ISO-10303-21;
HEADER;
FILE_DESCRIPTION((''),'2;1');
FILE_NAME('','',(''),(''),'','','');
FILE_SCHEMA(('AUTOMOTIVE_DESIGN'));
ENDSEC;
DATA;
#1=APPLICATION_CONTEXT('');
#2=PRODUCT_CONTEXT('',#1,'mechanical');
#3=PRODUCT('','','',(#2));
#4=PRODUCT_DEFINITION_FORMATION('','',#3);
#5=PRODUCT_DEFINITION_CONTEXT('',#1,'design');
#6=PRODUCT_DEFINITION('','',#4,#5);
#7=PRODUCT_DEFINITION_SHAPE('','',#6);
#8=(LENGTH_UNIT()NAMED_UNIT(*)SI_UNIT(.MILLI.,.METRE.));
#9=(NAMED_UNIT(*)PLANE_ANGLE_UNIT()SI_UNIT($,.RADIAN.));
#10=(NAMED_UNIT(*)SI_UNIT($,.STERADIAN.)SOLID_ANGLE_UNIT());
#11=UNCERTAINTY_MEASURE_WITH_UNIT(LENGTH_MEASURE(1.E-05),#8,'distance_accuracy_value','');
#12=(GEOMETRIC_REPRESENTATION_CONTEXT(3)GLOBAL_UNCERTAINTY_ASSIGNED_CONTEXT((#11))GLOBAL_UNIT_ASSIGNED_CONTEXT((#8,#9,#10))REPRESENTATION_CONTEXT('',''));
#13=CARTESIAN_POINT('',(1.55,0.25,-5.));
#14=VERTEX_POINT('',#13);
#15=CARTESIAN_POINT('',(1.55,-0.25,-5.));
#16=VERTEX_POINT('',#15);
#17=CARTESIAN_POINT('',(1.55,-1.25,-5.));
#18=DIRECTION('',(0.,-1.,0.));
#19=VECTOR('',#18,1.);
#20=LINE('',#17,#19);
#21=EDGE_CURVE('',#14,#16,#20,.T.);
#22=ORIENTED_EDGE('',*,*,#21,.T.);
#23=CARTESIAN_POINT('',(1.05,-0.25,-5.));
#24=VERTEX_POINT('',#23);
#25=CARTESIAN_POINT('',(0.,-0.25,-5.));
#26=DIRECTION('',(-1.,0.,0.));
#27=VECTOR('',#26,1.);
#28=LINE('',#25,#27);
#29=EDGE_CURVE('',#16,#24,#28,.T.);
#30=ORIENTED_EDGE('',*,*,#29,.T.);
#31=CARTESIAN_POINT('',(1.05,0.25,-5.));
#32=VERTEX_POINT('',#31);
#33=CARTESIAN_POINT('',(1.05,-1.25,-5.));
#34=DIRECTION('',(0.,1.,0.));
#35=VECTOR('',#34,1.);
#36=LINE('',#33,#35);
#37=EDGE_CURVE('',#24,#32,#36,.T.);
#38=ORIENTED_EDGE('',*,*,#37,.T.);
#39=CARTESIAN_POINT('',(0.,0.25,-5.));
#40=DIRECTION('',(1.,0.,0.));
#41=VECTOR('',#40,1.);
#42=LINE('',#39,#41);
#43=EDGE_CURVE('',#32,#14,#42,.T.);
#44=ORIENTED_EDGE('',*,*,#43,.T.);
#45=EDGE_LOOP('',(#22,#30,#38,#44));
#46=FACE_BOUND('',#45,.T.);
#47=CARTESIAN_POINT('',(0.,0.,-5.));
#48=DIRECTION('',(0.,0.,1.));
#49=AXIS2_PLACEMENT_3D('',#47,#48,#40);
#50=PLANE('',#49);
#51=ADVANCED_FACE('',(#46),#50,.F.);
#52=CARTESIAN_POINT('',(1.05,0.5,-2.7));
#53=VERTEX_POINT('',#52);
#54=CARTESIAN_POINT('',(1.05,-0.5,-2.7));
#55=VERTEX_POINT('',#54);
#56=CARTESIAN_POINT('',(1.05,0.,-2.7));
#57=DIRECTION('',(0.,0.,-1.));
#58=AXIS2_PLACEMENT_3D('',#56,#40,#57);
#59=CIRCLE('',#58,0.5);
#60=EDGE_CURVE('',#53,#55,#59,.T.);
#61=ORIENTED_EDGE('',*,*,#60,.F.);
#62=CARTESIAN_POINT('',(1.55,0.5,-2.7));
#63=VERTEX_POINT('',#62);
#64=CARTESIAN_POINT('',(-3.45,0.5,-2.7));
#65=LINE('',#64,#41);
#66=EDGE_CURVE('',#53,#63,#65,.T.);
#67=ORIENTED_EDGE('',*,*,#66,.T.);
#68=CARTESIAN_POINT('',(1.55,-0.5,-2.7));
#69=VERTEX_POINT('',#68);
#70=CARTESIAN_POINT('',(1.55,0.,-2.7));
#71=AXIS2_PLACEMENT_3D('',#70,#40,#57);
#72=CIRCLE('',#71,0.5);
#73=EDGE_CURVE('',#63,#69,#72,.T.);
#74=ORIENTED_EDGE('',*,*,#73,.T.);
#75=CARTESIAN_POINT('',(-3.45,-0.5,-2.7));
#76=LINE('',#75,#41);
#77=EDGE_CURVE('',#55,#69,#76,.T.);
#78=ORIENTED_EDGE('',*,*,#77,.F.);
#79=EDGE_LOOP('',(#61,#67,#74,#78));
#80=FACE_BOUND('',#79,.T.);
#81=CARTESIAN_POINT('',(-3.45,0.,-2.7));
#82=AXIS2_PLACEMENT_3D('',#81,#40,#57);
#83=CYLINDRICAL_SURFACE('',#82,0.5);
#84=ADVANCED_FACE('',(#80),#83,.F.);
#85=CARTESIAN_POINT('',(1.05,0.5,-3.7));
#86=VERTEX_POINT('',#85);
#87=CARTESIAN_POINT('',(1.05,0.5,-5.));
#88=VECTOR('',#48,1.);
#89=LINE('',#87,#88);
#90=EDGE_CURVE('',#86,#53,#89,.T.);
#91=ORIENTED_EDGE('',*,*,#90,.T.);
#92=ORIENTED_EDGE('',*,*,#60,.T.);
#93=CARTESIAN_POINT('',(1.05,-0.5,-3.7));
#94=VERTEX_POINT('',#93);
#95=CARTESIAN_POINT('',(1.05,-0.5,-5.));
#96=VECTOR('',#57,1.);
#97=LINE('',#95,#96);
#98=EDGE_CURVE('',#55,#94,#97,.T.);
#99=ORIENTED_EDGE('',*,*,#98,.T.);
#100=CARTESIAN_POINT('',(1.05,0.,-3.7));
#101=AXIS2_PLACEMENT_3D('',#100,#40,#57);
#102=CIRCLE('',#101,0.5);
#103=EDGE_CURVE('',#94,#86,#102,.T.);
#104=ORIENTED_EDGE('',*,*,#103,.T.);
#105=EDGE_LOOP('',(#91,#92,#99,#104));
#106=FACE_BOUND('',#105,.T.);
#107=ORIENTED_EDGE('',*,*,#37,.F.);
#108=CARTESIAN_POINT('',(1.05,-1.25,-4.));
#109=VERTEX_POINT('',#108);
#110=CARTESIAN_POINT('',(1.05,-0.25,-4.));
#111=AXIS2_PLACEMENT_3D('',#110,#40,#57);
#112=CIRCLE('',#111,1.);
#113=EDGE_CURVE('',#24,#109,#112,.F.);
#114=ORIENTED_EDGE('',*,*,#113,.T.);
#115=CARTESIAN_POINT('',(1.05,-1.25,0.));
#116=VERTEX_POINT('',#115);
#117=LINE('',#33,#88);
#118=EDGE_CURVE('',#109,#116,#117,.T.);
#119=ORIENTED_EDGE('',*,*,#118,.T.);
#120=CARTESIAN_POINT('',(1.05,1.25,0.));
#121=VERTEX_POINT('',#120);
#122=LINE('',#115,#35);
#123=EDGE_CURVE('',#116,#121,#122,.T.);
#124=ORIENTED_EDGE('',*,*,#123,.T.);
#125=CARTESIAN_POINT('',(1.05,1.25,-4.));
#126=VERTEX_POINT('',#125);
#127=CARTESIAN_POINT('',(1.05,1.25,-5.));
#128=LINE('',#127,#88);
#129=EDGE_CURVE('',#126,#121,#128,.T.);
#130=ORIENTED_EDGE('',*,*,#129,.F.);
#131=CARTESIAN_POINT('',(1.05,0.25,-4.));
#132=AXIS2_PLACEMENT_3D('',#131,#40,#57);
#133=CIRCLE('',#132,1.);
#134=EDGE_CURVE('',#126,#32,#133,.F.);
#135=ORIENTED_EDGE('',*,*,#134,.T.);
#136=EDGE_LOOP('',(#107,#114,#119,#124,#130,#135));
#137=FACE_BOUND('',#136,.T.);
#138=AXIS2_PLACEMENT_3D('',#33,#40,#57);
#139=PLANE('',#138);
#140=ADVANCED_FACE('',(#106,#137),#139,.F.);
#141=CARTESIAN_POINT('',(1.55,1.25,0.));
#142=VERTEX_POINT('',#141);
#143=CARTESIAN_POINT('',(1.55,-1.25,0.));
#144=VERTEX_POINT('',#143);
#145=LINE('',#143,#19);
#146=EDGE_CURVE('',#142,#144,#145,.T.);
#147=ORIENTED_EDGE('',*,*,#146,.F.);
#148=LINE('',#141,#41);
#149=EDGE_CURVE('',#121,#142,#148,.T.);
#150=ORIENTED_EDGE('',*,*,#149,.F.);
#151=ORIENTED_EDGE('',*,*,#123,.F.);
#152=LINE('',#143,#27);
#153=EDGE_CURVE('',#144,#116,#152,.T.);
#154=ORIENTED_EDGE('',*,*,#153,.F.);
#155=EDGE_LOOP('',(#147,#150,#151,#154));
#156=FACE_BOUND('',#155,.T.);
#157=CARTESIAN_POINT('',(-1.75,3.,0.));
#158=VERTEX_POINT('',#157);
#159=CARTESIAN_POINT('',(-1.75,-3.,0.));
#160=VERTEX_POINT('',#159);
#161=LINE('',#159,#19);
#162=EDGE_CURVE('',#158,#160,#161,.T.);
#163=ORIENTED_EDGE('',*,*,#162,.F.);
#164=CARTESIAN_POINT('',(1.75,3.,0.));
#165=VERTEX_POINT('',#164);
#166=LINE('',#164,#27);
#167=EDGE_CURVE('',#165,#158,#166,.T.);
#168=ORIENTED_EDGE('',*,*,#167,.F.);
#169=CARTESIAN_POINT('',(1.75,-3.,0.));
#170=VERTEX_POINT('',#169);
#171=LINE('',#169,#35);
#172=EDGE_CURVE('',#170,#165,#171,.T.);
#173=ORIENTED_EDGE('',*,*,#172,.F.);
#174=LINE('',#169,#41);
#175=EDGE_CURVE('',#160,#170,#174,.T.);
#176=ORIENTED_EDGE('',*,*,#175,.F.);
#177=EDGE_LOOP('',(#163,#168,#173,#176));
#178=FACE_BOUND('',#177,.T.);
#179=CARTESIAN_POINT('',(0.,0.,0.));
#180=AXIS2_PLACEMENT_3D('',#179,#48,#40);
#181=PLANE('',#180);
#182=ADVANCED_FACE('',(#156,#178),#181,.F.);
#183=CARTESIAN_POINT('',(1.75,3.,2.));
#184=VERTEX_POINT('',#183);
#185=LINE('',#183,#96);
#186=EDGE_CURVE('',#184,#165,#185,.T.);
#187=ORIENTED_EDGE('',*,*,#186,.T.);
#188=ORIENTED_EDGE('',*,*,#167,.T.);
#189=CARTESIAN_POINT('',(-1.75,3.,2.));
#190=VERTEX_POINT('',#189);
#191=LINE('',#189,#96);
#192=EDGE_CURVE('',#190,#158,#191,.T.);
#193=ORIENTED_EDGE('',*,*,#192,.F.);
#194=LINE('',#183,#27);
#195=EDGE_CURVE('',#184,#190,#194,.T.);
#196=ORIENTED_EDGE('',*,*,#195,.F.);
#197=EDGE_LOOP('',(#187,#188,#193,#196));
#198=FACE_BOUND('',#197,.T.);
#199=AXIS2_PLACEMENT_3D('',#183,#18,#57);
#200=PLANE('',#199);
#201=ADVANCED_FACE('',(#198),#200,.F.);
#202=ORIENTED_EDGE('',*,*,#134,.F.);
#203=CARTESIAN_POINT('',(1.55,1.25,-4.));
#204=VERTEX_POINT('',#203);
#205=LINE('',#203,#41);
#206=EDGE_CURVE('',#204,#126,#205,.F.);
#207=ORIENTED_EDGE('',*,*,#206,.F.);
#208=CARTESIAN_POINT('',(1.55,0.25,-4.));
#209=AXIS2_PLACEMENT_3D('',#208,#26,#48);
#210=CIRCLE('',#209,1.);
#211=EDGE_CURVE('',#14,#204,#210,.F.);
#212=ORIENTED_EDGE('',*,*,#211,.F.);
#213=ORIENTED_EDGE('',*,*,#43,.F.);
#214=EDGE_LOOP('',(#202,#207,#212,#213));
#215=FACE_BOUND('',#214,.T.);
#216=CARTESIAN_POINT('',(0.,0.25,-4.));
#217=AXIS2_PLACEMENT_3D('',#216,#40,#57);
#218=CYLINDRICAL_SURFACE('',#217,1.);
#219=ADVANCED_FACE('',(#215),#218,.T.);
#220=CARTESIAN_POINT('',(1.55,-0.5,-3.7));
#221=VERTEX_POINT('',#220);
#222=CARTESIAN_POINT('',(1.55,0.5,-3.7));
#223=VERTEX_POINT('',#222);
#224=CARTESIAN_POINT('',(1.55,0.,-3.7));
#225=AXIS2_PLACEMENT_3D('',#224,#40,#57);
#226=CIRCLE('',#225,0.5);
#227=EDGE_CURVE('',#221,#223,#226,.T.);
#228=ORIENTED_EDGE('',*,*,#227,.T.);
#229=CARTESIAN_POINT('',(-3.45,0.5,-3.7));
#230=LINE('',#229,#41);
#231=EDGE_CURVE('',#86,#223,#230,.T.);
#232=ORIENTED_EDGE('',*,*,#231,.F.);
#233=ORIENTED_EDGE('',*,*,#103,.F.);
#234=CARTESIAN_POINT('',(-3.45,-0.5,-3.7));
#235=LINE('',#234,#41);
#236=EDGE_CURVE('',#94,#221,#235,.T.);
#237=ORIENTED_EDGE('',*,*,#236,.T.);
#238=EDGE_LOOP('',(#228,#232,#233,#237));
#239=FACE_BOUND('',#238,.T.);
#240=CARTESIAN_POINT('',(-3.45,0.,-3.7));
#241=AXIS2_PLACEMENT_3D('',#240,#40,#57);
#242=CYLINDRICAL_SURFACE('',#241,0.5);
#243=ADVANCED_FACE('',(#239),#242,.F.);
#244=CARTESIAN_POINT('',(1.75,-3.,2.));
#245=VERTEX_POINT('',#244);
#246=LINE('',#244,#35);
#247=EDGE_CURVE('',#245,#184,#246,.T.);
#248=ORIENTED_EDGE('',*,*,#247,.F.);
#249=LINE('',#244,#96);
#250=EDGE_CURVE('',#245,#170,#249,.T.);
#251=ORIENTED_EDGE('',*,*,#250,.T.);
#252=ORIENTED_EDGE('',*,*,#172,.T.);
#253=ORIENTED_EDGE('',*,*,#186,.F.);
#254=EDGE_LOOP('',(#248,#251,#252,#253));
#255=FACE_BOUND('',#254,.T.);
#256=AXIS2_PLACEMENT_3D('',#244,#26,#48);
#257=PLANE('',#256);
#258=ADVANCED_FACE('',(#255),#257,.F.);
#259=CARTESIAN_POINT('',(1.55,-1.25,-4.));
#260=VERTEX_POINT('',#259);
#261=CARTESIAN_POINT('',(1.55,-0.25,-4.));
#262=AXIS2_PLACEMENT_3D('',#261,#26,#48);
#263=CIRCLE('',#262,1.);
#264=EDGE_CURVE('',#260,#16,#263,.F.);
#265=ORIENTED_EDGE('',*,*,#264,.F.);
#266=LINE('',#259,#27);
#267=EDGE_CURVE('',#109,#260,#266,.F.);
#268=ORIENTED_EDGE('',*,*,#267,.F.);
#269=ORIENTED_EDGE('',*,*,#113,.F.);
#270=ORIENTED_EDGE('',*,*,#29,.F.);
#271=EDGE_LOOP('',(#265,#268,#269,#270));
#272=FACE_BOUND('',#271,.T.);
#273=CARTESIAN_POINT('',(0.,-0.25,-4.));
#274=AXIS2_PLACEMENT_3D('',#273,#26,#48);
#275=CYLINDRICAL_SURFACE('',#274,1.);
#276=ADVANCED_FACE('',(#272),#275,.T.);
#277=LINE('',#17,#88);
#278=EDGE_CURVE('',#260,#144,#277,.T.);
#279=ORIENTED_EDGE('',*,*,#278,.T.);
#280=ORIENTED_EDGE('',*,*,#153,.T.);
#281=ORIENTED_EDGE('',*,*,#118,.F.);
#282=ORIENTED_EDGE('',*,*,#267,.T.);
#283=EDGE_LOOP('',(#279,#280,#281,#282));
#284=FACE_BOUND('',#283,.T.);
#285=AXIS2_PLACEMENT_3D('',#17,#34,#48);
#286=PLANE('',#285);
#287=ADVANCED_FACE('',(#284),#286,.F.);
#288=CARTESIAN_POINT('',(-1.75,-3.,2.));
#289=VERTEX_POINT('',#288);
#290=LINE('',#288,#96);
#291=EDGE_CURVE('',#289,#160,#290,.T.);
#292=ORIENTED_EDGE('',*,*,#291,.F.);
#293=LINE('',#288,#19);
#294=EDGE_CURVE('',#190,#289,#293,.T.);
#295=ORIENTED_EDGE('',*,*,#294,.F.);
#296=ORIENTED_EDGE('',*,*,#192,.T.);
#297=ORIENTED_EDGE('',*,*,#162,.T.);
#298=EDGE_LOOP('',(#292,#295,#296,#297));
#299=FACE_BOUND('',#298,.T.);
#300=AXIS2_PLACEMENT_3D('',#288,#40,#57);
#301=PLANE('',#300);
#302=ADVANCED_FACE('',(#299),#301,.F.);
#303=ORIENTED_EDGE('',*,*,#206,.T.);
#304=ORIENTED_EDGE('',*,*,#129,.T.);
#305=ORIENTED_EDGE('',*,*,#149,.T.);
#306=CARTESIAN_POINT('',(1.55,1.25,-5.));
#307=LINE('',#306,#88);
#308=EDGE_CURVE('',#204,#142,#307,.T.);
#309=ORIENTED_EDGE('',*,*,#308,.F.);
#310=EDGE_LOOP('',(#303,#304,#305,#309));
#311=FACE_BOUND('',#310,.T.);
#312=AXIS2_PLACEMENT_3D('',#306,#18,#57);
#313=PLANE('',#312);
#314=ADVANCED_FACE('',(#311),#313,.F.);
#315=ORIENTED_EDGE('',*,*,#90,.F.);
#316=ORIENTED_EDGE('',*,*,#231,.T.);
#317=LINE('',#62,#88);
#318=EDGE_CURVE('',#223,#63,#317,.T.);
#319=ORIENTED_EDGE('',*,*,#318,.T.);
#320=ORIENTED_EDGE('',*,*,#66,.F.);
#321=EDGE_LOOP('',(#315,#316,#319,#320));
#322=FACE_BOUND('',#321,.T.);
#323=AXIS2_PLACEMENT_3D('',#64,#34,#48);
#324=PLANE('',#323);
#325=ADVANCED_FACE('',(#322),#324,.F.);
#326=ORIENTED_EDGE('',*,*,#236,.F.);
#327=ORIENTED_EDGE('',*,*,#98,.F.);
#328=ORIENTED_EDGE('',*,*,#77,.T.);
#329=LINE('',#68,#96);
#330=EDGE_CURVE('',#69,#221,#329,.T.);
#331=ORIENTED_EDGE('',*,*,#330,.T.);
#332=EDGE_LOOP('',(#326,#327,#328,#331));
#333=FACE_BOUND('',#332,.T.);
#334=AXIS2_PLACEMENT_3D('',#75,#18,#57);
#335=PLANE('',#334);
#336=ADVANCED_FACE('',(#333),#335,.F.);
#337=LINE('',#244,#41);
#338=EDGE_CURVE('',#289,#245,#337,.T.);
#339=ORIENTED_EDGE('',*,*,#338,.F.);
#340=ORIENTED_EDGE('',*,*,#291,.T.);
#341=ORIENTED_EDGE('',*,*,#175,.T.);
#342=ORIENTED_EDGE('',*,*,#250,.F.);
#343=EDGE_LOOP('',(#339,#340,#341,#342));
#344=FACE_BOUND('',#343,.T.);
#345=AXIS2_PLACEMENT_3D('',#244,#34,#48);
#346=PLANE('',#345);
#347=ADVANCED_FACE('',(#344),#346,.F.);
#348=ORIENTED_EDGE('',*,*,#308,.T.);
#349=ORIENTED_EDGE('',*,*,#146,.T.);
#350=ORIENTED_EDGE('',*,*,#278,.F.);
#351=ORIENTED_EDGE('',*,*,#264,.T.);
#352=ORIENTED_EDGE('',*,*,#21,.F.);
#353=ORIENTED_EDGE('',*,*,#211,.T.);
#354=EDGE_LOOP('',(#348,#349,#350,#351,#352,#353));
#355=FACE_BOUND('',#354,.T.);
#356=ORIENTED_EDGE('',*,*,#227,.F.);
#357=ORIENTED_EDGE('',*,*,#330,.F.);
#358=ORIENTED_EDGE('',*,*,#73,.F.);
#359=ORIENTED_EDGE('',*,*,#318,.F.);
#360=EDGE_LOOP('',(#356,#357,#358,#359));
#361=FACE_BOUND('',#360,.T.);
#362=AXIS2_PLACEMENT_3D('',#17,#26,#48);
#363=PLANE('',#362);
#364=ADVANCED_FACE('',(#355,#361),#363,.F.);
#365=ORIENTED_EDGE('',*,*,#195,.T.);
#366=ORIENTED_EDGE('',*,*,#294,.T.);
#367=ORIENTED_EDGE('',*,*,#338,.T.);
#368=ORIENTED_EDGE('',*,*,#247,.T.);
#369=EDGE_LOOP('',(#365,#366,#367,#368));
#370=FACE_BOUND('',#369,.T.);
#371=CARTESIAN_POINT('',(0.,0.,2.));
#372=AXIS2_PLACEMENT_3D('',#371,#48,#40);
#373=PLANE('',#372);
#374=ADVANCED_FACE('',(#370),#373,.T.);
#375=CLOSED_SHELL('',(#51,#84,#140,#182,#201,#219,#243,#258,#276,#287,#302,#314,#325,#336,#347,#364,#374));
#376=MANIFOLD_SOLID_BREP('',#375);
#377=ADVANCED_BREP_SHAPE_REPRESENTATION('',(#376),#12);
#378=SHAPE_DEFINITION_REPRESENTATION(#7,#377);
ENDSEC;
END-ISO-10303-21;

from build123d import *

# Parameters (mm, degrees)
SKETCH1_W           = 3.5
SKETCH1_H           = 6
BOSS_EXTRUDE1_DEPTH = 2
SKETCH2_W           = 0.5
SKETCH2_H           = 2.5
BOSS_EXTRUDE2_DEPTH = 5
FILLET1_R           = 1
CUT_EXTRUDE1_DEPTH  = 5


with BuildPart() as part:
    # Sketch1 → Boss-Extrude1 (new body)
    with BuildSketch(Plane.XY):
        Rectangle(SKETCH1_W, SKETCH1_H)
    extrude(amount=BOSS_EXTRUDE1_DEPTH)

    # Sketch2 → Boss-Extrude2 (add)
    with BuildSketch(Plane(origin=(0, 0, 0), x_dir=(-1, 0, 0), z_dir=(0, 0, -1))):
        with Locations((-1.3, 0)):
            Rectangle(SKETCH2_W, SKETCH2_H)
    extrude(amount=BOSS_EXTRUDE2_DEPTH)

    # Fillet1
    fillet1_edges = [part.edges().sort_by_distance(p)[0] for p in [
        (1.3, 1.25, -5),
        (1.3, -1.25, -5),
    ]]
    fillet(fillet1_edges, radius=FILLET1_R)

    # Sketch3 → Cut-Extrude1 (cut)
    with BuildSketch(Plane(origin=(1.55, 0, 0), x_dir=(0, 0, -1), z_dir=(1, 0, 0))):
        with BuildLine():
            Line((2.7, 0.5), (3.7, 0.5))
            ThreePointArc((3.7, 0.5), (4.2, 0), (3.7, -0.5))
            Line((3.7, -0.5), (2.7, -0.5))
            ThreePointArc((2.7, -0.5), (2.2, 0), (2.7, 0.5))
        make_face()
    extrude(amount=-CUT_EXTRUDE1_DEPTH, mode=Mode.SUBTRACT)


solid = part.part
